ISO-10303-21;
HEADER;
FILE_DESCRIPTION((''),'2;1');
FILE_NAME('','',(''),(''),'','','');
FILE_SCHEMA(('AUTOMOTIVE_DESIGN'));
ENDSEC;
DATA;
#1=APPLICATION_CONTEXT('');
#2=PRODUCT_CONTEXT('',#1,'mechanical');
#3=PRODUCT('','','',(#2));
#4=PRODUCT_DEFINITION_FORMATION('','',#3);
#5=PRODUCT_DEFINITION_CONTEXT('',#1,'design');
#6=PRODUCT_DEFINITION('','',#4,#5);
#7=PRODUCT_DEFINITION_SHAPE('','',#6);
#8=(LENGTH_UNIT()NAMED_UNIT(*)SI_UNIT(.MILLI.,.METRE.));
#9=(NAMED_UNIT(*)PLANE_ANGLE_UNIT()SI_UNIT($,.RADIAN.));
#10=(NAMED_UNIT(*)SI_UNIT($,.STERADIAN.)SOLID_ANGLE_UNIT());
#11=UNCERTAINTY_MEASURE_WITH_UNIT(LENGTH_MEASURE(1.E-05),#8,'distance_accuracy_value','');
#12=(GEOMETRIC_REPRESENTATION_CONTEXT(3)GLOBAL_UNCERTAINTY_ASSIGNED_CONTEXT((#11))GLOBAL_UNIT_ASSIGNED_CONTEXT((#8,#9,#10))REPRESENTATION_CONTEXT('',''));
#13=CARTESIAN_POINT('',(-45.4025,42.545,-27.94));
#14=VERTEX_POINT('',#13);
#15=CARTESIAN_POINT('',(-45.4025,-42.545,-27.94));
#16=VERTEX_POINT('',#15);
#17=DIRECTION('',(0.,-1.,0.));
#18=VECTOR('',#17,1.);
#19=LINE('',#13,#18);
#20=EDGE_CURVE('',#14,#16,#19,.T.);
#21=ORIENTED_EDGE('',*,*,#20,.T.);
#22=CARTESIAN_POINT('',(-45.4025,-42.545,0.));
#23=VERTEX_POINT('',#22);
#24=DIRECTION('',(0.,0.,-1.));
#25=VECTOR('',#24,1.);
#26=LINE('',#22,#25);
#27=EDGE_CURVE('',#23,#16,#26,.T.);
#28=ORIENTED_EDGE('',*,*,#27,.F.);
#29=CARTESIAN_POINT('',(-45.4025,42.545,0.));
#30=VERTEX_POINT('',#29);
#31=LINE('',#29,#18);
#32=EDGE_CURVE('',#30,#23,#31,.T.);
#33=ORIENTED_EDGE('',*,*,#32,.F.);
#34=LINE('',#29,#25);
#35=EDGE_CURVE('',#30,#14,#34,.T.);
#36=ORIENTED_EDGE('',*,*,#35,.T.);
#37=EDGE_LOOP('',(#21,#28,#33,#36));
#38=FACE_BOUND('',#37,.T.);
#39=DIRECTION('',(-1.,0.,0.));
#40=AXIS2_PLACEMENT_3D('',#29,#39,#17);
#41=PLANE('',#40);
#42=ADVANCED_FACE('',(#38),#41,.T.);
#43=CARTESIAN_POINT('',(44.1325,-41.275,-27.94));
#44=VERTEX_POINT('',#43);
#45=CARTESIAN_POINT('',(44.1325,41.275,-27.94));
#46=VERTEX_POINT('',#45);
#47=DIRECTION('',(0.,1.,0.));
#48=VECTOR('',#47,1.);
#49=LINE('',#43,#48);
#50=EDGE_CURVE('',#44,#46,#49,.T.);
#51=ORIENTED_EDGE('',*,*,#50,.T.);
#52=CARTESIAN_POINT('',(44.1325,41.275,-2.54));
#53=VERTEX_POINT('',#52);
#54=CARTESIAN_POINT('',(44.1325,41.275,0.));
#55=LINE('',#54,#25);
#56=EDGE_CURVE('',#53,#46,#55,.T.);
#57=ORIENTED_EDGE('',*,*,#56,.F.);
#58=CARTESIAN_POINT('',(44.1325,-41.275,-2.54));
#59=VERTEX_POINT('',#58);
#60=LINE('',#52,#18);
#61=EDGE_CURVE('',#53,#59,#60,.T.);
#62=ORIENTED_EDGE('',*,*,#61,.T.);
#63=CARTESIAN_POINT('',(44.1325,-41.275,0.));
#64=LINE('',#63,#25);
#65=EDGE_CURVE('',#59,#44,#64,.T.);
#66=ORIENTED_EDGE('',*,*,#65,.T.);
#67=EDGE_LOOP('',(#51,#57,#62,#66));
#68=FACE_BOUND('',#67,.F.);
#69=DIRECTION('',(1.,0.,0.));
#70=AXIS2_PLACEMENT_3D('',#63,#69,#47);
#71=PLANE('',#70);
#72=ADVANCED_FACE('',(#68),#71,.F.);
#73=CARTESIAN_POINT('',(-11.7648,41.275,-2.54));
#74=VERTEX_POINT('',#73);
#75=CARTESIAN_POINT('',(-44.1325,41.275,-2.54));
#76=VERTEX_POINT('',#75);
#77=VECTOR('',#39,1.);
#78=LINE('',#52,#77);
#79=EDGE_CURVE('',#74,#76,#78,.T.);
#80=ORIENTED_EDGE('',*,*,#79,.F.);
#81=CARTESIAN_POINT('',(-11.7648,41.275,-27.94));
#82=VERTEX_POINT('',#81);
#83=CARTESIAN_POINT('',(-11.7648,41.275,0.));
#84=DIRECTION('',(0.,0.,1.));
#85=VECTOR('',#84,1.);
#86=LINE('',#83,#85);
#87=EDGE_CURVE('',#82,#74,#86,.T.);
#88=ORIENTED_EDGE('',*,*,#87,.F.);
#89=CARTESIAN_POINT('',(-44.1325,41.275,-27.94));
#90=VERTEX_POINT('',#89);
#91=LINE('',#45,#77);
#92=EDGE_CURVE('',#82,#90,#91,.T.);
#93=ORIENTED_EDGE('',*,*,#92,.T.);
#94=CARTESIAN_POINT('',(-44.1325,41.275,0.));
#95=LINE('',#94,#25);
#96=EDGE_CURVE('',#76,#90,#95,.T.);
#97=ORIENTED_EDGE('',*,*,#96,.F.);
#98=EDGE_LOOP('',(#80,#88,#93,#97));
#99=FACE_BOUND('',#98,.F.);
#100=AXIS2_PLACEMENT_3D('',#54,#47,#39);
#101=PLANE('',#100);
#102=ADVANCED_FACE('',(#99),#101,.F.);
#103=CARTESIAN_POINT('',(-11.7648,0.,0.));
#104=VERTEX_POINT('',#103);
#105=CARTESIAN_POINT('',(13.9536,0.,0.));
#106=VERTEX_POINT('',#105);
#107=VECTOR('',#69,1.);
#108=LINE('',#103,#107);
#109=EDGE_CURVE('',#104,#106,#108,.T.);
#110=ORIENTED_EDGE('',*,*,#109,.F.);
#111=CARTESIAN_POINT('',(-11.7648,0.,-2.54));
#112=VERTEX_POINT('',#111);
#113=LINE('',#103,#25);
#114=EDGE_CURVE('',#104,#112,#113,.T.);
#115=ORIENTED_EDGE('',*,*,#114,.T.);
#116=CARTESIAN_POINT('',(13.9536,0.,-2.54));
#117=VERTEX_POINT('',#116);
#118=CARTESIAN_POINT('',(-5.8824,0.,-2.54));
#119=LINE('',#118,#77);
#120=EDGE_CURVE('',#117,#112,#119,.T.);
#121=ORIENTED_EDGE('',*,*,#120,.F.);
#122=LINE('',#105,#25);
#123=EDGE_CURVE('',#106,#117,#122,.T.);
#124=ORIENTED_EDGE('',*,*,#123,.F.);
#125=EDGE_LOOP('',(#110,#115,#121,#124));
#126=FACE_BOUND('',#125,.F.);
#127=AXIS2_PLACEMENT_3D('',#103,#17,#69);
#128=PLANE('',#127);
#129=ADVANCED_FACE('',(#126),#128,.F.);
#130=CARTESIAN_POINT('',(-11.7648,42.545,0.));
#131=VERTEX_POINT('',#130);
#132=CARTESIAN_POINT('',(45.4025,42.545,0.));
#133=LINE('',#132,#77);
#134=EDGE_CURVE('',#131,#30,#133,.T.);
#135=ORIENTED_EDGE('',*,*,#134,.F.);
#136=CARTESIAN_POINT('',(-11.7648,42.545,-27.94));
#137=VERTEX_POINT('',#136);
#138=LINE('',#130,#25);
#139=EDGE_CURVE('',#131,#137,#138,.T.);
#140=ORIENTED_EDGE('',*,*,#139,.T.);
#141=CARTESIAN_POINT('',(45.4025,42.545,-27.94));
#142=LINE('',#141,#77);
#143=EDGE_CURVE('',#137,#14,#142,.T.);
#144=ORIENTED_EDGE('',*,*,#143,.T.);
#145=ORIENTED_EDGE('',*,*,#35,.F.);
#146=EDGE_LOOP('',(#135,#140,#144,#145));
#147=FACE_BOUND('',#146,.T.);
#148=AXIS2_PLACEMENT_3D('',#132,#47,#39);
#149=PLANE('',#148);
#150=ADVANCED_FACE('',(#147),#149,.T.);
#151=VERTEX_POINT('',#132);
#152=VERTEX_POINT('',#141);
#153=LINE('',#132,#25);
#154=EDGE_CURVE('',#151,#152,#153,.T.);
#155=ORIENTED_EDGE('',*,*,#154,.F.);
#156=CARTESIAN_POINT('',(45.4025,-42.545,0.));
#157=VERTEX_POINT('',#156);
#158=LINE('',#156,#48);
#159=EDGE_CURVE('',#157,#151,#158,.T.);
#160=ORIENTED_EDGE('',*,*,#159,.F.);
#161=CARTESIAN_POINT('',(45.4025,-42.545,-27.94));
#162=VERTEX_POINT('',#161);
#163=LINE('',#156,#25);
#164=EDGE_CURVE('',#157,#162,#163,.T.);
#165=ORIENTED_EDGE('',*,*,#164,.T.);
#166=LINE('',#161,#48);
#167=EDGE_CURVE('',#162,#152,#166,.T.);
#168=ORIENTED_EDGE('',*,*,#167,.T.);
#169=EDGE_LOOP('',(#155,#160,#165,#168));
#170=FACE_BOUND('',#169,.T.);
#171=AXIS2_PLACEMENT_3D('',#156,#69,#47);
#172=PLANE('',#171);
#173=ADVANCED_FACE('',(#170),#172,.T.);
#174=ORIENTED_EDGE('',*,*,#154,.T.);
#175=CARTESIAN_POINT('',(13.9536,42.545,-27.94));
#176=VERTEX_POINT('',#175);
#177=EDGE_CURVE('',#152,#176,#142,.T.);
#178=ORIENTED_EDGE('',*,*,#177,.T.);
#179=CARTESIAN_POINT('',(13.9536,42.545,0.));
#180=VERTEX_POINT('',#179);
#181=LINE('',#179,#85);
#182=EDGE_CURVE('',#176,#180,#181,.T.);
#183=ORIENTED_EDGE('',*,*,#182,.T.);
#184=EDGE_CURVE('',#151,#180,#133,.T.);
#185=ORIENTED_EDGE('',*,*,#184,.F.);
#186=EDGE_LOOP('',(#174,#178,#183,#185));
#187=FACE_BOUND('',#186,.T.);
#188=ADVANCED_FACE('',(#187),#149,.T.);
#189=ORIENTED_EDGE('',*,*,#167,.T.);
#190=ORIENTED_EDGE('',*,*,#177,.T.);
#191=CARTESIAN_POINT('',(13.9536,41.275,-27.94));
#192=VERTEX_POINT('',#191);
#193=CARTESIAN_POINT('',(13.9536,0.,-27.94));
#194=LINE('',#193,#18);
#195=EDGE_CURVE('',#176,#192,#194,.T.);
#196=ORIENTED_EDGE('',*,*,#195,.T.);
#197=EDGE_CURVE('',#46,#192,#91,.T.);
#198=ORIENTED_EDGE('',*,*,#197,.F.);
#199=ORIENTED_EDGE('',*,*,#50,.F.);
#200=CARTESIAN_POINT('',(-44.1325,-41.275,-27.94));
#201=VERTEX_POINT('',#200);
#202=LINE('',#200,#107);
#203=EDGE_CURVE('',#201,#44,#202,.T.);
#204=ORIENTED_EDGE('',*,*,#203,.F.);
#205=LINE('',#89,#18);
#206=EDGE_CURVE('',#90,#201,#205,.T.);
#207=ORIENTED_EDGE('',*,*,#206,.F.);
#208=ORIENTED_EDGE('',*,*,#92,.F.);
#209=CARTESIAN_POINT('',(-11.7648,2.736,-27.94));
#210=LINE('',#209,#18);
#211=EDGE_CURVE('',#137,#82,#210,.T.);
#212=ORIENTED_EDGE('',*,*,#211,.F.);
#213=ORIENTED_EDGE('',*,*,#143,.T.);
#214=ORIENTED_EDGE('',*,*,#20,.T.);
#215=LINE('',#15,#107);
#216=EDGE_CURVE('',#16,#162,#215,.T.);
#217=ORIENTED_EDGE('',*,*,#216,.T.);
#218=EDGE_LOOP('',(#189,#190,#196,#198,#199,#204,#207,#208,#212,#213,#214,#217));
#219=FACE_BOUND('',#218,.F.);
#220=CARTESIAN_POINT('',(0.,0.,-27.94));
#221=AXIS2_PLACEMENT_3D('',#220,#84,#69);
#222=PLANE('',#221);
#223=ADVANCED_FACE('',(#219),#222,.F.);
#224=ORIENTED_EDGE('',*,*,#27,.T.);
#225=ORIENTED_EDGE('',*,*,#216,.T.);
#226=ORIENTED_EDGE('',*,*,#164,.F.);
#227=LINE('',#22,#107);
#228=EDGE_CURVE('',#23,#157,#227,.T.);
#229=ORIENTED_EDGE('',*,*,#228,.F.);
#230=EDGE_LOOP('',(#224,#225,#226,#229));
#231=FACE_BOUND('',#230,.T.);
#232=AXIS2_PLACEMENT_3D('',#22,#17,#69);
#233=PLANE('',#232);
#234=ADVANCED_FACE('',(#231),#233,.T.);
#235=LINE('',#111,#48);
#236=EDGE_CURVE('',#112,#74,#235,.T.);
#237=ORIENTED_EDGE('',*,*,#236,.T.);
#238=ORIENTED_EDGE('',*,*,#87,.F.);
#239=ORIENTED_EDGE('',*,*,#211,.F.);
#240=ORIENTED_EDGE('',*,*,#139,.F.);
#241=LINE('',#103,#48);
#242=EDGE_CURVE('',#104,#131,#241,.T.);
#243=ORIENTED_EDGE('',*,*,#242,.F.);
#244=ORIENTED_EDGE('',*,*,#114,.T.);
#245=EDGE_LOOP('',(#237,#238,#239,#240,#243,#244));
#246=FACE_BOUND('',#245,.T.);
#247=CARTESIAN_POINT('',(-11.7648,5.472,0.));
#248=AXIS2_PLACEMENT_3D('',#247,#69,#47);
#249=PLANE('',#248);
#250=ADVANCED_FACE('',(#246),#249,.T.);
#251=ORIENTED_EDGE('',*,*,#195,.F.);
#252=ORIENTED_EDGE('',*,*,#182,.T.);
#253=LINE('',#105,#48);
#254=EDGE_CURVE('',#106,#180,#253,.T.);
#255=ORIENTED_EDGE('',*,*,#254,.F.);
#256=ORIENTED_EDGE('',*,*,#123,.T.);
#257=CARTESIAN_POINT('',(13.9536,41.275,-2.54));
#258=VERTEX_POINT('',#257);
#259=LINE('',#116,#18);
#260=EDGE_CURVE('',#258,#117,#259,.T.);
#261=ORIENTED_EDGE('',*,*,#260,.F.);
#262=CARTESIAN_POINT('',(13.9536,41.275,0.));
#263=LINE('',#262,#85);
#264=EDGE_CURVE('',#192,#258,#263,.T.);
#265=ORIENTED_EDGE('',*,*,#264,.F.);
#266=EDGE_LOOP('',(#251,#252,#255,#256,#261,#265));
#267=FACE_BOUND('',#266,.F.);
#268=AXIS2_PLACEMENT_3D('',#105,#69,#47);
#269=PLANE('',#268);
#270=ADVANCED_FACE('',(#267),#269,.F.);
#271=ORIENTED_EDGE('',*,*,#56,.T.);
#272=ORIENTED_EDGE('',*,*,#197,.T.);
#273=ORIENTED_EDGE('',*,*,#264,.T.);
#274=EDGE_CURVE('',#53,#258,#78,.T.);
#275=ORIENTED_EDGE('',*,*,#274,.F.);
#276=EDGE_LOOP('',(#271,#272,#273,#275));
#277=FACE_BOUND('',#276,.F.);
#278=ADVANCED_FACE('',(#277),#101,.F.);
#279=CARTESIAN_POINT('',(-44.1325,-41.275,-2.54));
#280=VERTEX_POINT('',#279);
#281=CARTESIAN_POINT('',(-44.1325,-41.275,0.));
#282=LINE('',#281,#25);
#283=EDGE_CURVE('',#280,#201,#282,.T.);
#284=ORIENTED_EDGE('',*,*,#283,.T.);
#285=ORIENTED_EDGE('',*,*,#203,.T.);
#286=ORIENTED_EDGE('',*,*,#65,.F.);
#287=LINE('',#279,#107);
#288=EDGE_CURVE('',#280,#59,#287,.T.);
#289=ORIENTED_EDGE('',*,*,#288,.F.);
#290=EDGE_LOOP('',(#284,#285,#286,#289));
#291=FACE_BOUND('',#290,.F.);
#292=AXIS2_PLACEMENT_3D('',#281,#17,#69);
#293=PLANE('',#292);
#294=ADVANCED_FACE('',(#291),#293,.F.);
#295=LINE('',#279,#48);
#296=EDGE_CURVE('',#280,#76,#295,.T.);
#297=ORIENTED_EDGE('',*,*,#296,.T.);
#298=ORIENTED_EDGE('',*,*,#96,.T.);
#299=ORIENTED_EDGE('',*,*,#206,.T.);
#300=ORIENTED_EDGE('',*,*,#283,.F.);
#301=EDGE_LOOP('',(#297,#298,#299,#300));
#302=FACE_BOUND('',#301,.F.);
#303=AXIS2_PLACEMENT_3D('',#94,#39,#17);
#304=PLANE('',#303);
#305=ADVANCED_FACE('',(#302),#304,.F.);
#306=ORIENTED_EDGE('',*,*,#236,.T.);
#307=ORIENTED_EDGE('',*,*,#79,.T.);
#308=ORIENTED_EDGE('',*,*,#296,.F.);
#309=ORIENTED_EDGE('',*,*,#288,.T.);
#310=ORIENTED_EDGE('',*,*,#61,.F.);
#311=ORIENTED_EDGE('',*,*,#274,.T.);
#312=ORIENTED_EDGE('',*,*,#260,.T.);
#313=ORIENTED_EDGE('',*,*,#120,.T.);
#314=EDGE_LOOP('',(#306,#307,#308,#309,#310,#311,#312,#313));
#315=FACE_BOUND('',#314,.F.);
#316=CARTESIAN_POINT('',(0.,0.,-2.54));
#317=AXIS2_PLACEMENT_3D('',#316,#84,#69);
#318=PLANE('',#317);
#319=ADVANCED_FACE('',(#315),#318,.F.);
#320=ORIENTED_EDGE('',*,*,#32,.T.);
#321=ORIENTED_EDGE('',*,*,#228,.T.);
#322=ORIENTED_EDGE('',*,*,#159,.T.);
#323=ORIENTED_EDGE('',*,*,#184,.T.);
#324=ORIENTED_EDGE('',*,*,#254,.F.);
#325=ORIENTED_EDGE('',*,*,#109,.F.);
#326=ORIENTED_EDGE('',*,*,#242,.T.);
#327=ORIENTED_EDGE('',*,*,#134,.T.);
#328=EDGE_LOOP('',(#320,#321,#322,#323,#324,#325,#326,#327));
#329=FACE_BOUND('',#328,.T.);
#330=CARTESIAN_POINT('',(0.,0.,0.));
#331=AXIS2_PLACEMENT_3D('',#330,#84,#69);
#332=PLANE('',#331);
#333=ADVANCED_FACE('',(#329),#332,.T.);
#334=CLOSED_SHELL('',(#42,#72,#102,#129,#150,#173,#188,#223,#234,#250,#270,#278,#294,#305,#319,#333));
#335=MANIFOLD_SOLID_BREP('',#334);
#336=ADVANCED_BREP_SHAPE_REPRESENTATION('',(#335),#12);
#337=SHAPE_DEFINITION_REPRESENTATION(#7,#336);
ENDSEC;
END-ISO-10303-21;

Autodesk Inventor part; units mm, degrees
ref_plane "YZ Plane" through (0, 0, 0) normal (1, 0, 0) x (0, 1, 0)
ref_plane "XZ Plane" through (0, 0, 0) normal (0, 1, 0) x (-1, 0, 0)
ref_plane "XY Plane" through (0, 0, 0) normal (0, 0, 1) x (1, 0, 0)
ref_plane "Work Plane1" through (0, 0, 0) normal (0, 0, 1) x (1, 0, 0)
sketch "Sketch1" plane through (0, 0, 0) normal (0, 0, 1) x (1, 0, 0)
  line L0 (-44.1325, -41.275) -> (44.1325, -41.275)
  line L1 (44.1325, -41.275) -> (44.1325, 41.275)
  line L2 (44.1325, 41.275) -> (-44.1325, 41.275)
  line L3 (-44.1325, 41.275) -> (-44.1325, -41.275)
  line L4 (-44.1325, -41.275) -> (44.1325, 41.275) construction
  line L5 (44.1325, -41.275) -> (-44.1325, 41.275) construction
  line L6 (-45.4025, -42.545) -> (45.4025, -42.545)
  line L7 (45.4025, -42.545) -> (45.4025, 42.545)
  line L8 (45.4025, 42.545) -> (-45.4025, 42.545)
  line L9 (-45.4025, 42.545) -> (-45.4025, -42.545)
  line L10 (-45.4025, -42.545) -> (45.4025, 42.545) construction
  line L11 (45.4025, -42.545) -> (-45.4025, 42.545) construction
  point P0 (0, 0)
  dimension "d1" = 88.265
  dimension "d2" = 82.55
  dimension "d3" = 90.805
  dimension "d4" = 85.09
extrude "Extrusion1" add sketch "Sketch1" against normal blind 27.94
sketch "Sketch2" plane through (0, 0, 0) normal (0, 0, 1) x (1, 0, 0)
  line L0 (44.1325, 41.275) -> (-44.1325, 41.275) projected
  line L1 (-44.1325, -41.275) -> (44.1325, -41.275) projected
  line L2 (-44.1325, 41.275) -> (44.1325, 41.275)
  line L3 (44.1325, 41.275) -> (44.1325, -41.275)
  line L4 (44.1325, -41.275) -> (-44.1325, -41.275)
  line L5 (-44.1325, -41.275) -> (-44.1325, 41.275)
  point P0 (0, 0)
extrude "Extrusion2" add sketch "Sketch2" against normal blind 2.54
sketch "Sketch5" plane through (0, 0, 0) normal (0, 0, 1) x (1, 0, 0)
  line L0 (-45.4025, 42.545) -> (45.4025, 42.545) projected
  line L1 (-5.1231, 42.545) -> (4.8162, 42.545)
  line L2 (4.8162, 42.545) -> (4.8162, 17.0095)
  line L3 (4.8162, 17.0095) -> (-5.1231, 17.0095)
  line L4 (-5.1231, 17.0095) -> (-5.1231, 42.545)
  point P0 (0, 0)
extrude "Extrusion3" cut sketch "Sketch5" against normal up to next
sketch "Sketch6" plane through (0, 0, 0) normal (0, 0, 1) x (1, 0, 0)
  line L0 (-45.4025, 42.545) -> (-5.1231, 42.545) projected
  line L1 (-11.7648, 42.545) -> (10.5336, 42.545)
  line L2 (10.5336, 42.545) -> (10.5336, 5.472)
  line L3 (10.5336, 5.472) -> (-11.7648, 5.472)
  line L4 (-11.7648, 5.472) -> (-11.7648, 42.545)
  point P0 (0, 0)
extrude "Extrusion4" cut sketch "Sketch6" against normal up to next
sketch "Sketch7" plane through (0, 0, 0) normal (0, 0, 1) x (1, 0, 0)
  line L0 (13.9536, 42.6816) -> (-11.7648, 42.6816)
  line L1 (-11.7648, 42.6816) -> (-11.7648, 0)
  line L2 (-11.7648, 0) -> (13.9536, 0)
  line L3 (13.9536, 0) -> (13.9536, 42.6816)
  point P0 (0, 0)
extrude "Extrusion5" cut sketch "Sketch7" against normal up to next
sketch "Sketch8" plane through (0, 0, 0) normal (0, 0, 1) x (1, 0, 0)
  point P0 (0, 0)
